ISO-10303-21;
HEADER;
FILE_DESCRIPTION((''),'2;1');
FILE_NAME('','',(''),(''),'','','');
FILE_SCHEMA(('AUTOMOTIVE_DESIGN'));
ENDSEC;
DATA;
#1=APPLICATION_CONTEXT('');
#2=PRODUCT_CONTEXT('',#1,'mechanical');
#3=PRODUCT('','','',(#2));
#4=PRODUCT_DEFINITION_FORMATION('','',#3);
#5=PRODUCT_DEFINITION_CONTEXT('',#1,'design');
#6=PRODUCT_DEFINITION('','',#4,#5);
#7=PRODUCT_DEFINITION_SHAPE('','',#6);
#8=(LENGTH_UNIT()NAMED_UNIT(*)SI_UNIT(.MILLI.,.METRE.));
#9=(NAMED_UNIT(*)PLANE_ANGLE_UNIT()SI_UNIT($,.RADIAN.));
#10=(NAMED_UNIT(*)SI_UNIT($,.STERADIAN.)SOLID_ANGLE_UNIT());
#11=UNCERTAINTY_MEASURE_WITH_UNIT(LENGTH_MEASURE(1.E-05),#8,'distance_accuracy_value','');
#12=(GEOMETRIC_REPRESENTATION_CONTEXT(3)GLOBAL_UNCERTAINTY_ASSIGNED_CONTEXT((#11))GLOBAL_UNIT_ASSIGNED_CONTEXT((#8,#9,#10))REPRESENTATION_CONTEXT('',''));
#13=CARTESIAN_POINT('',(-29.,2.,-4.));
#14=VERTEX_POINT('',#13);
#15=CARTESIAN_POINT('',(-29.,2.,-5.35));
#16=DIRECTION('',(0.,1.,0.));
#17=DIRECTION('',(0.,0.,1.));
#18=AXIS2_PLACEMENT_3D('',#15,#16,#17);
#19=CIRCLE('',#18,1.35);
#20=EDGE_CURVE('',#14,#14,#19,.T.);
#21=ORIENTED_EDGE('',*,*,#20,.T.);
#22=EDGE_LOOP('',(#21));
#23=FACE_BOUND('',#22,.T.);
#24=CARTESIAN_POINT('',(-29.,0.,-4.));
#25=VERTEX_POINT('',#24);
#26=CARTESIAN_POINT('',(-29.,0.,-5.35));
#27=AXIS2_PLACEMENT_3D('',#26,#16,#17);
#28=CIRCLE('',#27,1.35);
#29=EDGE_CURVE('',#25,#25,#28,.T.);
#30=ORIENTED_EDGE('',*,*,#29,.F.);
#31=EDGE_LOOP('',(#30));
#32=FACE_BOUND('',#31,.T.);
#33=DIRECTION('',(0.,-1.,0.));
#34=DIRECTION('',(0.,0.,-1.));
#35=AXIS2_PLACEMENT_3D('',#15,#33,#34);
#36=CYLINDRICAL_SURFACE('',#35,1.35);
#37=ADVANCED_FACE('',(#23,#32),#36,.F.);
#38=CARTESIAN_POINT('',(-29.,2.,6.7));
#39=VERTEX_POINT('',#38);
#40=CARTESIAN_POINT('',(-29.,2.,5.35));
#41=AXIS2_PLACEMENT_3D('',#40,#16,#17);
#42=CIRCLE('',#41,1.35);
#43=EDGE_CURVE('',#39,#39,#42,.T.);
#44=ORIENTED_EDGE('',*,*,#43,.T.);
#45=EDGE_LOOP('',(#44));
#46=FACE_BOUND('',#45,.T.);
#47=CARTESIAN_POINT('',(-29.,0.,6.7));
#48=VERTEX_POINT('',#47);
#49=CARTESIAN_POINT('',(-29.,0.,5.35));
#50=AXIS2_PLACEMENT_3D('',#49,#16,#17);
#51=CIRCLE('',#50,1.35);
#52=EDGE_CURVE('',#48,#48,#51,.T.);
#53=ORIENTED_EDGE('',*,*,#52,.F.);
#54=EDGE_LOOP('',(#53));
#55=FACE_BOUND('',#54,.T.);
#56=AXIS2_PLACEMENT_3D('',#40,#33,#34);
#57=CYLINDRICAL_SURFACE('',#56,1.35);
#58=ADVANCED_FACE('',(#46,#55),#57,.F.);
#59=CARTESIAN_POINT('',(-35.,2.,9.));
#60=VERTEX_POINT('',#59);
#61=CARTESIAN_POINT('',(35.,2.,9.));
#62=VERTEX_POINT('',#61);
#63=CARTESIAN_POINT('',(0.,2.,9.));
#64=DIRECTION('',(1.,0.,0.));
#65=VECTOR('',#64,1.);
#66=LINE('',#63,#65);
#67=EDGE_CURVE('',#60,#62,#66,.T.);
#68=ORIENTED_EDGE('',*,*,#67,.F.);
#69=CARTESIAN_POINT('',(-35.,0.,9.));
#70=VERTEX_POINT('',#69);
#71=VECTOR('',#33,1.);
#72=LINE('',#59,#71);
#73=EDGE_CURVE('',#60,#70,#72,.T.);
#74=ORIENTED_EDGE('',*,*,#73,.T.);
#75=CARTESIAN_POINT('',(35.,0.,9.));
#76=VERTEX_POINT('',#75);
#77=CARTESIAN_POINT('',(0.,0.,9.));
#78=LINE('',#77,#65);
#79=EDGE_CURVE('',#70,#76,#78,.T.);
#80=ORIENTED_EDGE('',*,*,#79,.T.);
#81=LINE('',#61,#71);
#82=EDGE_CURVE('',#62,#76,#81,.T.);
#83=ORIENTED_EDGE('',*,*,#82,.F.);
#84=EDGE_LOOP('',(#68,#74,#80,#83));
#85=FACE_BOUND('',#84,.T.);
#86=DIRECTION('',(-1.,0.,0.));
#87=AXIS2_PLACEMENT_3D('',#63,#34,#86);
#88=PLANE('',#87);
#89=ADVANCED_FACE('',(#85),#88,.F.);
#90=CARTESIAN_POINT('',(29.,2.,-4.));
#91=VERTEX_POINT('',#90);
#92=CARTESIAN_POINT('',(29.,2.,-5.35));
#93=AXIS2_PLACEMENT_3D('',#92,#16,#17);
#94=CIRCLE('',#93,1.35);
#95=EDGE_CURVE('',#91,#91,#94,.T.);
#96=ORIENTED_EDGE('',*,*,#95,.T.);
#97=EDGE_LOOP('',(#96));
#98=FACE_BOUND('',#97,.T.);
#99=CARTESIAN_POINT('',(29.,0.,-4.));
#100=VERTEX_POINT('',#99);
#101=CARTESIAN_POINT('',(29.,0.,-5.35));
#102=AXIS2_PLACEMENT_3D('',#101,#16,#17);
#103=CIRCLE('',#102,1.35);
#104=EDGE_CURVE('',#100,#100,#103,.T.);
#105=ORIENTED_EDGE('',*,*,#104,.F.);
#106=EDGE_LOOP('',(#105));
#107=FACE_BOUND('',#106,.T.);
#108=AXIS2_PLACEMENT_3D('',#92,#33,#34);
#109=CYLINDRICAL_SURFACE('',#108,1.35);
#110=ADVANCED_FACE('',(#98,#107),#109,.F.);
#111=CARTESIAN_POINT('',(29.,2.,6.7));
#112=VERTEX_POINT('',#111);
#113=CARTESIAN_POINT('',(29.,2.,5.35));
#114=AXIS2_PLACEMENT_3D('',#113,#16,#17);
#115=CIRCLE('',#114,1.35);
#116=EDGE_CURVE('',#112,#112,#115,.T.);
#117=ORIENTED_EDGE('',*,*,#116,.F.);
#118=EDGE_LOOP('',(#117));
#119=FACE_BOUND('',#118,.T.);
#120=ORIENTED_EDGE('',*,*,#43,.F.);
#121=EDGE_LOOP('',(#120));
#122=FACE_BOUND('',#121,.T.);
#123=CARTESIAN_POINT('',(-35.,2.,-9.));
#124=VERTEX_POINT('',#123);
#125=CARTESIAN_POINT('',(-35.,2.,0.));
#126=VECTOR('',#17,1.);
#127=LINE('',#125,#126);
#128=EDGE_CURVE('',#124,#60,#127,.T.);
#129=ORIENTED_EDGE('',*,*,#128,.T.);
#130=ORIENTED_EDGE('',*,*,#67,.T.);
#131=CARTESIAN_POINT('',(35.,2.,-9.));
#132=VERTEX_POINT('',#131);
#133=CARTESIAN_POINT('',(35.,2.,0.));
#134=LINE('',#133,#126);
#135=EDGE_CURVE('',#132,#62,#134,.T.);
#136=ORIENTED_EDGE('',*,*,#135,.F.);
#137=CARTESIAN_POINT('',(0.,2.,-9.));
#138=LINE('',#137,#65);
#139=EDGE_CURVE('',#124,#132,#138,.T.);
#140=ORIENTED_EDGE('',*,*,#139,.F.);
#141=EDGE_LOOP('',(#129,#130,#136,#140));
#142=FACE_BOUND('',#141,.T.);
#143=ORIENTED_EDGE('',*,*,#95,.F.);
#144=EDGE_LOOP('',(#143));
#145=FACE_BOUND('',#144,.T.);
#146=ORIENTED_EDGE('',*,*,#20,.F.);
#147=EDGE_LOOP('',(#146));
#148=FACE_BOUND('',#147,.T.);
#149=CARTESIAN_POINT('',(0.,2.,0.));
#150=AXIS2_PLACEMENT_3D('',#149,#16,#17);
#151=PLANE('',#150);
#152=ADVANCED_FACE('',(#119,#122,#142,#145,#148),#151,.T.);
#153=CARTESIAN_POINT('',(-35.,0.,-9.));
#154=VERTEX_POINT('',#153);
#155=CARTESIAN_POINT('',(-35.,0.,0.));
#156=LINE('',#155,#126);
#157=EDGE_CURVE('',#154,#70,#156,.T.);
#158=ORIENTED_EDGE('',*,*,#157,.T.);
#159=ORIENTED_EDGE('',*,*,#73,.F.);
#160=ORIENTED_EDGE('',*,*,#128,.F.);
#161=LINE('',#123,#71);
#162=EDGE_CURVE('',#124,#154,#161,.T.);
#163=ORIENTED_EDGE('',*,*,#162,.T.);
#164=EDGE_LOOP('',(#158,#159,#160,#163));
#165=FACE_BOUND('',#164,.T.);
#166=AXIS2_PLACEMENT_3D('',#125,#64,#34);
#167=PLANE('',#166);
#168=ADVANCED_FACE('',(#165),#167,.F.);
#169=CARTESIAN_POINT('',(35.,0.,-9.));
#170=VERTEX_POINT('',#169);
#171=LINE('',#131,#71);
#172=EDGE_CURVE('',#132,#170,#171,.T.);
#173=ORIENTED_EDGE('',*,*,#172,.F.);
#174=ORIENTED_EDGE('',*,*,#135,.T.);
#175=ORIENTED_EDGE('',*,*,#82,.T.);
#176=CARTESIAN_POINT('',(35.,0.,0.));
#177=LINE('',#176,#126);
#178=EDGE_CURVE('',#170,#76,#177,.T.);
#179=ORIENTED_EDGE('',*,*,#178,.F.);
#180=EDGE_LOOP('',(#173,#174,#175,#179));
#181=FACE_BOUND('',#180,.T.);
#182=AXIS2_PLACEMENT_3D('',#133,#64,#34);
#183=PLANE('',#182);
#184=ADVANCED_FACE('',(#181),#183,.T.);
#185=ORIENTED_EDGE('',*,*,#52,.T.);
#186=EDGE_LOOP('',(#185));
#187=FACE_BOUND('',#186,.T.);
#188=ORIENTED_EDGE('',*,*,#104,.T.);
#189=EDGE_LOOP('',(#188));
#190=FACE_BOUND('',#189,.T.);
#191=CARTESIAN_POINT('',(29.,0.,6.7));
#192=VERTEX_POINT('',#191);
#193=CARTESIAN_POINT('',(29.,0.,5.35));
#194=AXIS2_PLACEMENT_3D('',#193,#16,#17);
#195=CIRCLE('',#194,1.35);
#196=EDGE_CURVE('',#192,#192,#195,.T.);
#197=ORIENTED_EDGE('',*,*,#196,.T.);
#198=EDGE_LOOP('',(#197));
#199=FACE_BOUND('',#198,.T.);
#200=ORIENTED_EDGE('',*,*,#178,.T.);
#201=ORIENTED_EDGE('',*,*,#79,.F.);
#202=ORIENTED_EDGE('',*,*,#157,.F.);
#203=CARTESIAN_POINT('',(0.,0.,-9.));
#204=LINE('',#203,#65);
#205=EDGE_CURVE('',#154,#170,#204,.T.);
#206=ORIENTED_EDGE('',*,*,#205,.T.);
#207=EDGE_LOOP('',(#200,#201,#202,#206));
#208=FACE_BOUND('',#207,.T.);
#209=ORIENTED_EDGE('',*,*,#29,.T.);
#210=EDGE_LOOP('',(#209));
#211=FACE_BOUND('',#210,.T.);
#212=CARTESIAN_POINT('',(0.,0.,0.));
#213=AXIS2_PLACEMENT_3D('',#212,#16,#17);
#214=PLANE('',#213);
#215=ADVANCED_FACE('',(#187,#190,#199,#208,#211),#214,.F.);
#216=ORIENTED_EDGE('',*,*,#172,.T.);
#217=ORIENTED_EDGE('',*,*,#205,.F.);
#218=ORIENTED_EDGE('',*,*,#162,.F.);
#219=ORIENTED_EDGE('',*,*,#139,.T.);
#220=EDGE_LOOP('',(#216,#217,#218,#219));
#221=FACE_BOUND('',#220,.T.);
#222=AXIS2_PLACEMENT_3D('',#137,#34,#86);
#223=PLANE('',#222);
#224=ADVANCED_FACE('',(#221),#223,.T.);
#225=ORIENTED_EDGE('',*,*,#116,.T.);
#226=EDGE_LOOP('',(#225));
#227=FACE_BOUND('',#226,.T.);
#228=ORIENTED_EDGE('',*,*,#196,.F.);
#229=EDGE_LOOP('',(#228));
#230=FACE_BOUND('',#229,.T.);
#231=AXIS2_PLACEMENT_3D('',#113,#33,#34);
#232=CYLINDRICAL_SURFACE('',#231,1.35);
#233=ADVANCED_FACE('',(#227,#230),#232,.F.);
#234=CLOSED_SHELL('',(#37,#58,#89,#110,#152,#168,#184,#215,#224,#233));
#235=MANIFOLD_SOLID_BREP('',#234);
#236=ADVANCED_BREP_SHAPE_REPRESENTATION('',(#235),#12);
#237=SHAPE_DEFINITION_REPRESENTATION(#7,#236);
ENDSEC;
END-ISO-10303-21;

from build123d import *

# Parameters (mm, degrees)
SKETCH3_W           = 70
SKETCH3_H           = 18
SKETCH3_R           = 1.35
BOSS_EXTRUDE1_DEPTH = 2


with BuildPart() as part:
    # Sketch3 → Boss-Extrude1 (new body)
    with BuildSketch(Plane(origin=(0, 0, 0), x_dir=(1, 0, 0), z_dir=(0, 1, 0))):
        Rectangle(SKETCH3_W, SKETCH3_H)
        with Locations((-29, 5.35)):
            Circle(SKETCH3_R, mode=Mode.SUBTRACT)
        with Locations((29, 5.35)):
            Circle(SKETCH3_R, mode=Mode.SUBTRACT)
        with Locations((29, -5.35)):
            Circle(SKETCH3_R, mode=Mode.SUBTRACT)
        with Locations((-29, -5.35)):
            Circle(SKETCH3_R, mode=Mode.SUBTRACT)
    extrude(amount=BOSS_EXTRUDE1_DEPTH)


solid = part.part
